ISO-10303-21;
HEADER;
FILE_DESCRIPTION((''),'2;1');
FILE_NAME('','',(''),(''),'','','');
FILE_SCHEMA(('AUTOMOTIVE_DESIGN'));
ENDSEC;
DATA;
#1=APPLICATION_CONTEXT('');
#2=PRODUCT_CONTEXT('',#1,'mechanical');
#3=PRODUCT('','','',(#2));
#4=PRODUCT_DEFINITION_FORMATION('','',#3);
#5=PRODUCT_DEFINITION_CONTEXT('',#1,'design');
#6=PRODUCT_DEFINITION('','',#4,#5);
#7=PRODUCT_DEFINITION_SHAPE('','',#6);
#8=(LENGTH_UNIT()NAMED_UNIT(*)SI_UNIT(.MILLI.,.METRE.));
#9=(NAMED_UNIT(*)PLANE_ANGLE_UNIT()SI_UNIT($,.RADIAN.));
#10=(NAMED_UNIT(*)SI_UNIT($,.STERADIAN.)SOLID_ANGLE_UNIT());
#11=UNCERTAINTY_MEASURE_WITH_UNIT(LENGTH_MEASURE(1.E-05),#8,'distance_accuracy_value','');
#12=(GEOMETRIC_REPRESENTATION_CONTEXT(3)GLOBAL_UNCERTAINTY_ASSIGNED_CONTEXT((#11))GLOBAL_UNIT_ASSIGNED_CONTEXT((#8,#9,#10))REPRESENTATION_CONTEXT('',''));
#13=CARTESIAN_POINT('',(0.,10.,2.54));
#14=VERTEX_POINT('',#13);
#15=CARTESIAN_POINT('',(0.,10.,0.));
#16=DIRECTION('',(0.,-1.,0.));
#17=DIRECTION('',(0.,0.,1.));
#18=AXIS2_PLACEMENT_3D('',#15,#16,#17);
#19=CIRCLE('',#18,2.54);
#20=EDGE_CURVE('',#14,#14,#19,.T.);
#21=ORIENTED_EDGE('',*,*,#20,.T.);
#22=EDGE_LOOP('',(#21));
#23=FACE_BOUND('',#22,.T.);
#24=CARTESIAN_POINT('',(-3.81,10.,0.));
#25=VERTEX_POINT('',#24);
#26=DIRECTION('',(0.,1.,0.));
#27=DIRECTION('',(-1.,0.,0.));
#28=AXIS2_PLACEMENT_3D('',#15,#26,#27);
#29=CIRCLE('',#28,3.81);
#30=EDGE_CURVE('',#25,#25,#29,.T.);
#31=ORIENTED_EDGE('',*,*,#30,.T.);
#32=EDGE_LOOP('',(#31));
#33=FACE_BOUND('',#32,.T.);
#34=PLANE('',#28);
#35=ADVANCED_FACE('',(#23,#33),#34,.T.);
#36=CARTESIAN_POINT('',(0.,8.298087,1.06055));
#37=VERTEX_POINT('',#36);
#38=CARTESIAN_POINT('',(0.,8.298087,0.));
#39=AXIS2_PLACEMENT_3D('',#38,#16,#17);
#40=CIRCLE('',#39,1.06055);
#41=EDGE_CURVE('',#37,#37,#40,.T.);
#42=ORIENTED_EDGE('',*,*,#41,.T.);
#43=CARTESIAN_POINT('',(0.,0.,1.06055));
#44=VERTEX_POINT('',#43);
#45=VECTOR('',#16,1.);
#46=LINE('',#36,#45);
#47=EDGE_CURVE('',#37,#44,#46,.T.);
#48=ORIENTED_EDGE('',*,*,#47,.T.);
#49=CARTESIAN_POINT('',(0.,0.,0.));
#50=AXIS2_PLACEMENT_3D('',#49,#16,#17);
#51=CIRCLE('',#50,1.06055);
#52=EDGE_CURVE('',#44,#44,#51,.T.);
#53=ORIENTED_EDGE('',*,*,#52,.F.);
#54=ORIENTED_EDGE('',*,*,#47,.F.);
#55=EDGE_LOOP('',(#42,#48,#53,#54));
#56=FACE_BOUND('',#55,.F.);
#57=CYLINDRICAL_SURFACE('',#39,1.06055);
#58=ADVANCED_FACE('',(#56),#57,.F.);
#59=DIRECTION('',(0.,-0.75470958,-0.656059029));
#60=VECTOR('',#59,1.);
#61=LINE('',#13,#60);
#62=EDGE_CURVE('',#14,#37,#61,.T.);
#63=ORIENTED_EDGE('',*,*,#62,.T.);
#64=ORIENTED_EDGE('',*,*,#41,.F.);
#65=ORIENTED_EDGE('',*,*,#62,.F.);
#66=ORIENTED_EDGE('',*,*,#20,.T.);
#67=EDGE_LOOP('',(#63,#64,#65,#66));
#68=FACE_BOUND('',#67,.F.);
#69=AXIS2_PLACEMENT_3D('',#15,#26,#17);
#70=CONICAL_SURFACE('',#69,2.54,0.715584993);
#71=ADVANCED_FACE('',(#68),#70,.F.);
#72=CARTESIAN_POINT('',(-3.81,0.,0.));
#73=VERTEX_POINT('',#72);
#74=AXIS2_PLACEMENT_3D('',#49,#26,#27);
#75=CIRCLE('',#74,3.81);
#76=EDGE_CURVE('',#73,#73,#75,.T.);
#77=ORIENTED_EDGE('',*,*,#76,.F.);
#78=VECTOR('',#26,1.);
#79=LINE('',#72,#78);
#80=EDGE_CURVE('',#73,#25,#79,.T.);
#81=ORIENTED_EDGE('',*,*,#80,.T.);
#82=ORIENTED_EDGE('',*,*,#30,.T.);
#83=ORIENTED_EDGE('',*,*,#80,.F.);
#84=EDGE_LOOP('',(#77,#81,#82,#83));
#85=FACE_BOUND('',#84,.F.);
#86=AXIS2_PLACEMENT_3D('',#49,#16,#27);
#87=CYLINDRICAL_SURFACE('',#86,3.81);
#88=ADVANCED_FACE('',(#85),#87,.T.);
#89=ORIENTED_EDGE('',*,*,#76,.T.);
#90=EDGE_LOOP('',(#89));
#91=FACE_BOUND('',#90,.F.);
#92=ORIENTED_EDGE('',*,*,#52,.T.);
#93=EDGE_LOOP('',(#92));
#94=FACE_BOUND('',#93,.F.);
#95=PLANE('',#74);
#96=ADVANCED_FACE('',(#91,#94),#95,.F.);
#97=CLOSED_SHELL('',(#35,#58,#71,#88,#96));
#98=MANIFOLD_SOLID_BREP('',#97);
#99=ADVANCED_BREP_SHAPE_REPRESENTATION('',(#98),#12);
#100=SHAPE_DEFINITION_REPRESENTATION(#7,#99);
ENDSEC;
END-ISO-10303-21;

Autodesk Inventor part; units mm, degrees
ref_plane "YZ Plane" through (0, 0, 0) normal (1, 0, 0) x (0, 1, 0)
ref_plane "XZ Plane" through (0, 0, 0) normal (0, 1, 0) x (-1, 0, 0)
ref_plane "XY Plane" through (0, 0, 0) normal (0, 0, 1) x (1, 0, 0)
sketch "Sketch1" plane through (0, 0, 0) normal (0, 1, 0) x (-1, 0, 0)
  circle A0 centre (0, 0) radius 3.81
  dimension "d0" = 7.62
extrude "Extrusion1" add sketch "Sketch1" along normal blind 10
sketch "Sketch2" plane through (0, 10, 0) normal (0, 1, 0) x (1, 0, 0)
  point P0 (0, 0)
  point P1 (0, 0)
hole "Hole1" at (0, 10, 0) direction (0, -1, 0) diameter 2.1211 end through all countersink diameter 5.08 countersink angle 82 thread size "M2.5x0.35" class "6H" standard "ANSI Metric M Profile"
properties part number "Screw_Test"
